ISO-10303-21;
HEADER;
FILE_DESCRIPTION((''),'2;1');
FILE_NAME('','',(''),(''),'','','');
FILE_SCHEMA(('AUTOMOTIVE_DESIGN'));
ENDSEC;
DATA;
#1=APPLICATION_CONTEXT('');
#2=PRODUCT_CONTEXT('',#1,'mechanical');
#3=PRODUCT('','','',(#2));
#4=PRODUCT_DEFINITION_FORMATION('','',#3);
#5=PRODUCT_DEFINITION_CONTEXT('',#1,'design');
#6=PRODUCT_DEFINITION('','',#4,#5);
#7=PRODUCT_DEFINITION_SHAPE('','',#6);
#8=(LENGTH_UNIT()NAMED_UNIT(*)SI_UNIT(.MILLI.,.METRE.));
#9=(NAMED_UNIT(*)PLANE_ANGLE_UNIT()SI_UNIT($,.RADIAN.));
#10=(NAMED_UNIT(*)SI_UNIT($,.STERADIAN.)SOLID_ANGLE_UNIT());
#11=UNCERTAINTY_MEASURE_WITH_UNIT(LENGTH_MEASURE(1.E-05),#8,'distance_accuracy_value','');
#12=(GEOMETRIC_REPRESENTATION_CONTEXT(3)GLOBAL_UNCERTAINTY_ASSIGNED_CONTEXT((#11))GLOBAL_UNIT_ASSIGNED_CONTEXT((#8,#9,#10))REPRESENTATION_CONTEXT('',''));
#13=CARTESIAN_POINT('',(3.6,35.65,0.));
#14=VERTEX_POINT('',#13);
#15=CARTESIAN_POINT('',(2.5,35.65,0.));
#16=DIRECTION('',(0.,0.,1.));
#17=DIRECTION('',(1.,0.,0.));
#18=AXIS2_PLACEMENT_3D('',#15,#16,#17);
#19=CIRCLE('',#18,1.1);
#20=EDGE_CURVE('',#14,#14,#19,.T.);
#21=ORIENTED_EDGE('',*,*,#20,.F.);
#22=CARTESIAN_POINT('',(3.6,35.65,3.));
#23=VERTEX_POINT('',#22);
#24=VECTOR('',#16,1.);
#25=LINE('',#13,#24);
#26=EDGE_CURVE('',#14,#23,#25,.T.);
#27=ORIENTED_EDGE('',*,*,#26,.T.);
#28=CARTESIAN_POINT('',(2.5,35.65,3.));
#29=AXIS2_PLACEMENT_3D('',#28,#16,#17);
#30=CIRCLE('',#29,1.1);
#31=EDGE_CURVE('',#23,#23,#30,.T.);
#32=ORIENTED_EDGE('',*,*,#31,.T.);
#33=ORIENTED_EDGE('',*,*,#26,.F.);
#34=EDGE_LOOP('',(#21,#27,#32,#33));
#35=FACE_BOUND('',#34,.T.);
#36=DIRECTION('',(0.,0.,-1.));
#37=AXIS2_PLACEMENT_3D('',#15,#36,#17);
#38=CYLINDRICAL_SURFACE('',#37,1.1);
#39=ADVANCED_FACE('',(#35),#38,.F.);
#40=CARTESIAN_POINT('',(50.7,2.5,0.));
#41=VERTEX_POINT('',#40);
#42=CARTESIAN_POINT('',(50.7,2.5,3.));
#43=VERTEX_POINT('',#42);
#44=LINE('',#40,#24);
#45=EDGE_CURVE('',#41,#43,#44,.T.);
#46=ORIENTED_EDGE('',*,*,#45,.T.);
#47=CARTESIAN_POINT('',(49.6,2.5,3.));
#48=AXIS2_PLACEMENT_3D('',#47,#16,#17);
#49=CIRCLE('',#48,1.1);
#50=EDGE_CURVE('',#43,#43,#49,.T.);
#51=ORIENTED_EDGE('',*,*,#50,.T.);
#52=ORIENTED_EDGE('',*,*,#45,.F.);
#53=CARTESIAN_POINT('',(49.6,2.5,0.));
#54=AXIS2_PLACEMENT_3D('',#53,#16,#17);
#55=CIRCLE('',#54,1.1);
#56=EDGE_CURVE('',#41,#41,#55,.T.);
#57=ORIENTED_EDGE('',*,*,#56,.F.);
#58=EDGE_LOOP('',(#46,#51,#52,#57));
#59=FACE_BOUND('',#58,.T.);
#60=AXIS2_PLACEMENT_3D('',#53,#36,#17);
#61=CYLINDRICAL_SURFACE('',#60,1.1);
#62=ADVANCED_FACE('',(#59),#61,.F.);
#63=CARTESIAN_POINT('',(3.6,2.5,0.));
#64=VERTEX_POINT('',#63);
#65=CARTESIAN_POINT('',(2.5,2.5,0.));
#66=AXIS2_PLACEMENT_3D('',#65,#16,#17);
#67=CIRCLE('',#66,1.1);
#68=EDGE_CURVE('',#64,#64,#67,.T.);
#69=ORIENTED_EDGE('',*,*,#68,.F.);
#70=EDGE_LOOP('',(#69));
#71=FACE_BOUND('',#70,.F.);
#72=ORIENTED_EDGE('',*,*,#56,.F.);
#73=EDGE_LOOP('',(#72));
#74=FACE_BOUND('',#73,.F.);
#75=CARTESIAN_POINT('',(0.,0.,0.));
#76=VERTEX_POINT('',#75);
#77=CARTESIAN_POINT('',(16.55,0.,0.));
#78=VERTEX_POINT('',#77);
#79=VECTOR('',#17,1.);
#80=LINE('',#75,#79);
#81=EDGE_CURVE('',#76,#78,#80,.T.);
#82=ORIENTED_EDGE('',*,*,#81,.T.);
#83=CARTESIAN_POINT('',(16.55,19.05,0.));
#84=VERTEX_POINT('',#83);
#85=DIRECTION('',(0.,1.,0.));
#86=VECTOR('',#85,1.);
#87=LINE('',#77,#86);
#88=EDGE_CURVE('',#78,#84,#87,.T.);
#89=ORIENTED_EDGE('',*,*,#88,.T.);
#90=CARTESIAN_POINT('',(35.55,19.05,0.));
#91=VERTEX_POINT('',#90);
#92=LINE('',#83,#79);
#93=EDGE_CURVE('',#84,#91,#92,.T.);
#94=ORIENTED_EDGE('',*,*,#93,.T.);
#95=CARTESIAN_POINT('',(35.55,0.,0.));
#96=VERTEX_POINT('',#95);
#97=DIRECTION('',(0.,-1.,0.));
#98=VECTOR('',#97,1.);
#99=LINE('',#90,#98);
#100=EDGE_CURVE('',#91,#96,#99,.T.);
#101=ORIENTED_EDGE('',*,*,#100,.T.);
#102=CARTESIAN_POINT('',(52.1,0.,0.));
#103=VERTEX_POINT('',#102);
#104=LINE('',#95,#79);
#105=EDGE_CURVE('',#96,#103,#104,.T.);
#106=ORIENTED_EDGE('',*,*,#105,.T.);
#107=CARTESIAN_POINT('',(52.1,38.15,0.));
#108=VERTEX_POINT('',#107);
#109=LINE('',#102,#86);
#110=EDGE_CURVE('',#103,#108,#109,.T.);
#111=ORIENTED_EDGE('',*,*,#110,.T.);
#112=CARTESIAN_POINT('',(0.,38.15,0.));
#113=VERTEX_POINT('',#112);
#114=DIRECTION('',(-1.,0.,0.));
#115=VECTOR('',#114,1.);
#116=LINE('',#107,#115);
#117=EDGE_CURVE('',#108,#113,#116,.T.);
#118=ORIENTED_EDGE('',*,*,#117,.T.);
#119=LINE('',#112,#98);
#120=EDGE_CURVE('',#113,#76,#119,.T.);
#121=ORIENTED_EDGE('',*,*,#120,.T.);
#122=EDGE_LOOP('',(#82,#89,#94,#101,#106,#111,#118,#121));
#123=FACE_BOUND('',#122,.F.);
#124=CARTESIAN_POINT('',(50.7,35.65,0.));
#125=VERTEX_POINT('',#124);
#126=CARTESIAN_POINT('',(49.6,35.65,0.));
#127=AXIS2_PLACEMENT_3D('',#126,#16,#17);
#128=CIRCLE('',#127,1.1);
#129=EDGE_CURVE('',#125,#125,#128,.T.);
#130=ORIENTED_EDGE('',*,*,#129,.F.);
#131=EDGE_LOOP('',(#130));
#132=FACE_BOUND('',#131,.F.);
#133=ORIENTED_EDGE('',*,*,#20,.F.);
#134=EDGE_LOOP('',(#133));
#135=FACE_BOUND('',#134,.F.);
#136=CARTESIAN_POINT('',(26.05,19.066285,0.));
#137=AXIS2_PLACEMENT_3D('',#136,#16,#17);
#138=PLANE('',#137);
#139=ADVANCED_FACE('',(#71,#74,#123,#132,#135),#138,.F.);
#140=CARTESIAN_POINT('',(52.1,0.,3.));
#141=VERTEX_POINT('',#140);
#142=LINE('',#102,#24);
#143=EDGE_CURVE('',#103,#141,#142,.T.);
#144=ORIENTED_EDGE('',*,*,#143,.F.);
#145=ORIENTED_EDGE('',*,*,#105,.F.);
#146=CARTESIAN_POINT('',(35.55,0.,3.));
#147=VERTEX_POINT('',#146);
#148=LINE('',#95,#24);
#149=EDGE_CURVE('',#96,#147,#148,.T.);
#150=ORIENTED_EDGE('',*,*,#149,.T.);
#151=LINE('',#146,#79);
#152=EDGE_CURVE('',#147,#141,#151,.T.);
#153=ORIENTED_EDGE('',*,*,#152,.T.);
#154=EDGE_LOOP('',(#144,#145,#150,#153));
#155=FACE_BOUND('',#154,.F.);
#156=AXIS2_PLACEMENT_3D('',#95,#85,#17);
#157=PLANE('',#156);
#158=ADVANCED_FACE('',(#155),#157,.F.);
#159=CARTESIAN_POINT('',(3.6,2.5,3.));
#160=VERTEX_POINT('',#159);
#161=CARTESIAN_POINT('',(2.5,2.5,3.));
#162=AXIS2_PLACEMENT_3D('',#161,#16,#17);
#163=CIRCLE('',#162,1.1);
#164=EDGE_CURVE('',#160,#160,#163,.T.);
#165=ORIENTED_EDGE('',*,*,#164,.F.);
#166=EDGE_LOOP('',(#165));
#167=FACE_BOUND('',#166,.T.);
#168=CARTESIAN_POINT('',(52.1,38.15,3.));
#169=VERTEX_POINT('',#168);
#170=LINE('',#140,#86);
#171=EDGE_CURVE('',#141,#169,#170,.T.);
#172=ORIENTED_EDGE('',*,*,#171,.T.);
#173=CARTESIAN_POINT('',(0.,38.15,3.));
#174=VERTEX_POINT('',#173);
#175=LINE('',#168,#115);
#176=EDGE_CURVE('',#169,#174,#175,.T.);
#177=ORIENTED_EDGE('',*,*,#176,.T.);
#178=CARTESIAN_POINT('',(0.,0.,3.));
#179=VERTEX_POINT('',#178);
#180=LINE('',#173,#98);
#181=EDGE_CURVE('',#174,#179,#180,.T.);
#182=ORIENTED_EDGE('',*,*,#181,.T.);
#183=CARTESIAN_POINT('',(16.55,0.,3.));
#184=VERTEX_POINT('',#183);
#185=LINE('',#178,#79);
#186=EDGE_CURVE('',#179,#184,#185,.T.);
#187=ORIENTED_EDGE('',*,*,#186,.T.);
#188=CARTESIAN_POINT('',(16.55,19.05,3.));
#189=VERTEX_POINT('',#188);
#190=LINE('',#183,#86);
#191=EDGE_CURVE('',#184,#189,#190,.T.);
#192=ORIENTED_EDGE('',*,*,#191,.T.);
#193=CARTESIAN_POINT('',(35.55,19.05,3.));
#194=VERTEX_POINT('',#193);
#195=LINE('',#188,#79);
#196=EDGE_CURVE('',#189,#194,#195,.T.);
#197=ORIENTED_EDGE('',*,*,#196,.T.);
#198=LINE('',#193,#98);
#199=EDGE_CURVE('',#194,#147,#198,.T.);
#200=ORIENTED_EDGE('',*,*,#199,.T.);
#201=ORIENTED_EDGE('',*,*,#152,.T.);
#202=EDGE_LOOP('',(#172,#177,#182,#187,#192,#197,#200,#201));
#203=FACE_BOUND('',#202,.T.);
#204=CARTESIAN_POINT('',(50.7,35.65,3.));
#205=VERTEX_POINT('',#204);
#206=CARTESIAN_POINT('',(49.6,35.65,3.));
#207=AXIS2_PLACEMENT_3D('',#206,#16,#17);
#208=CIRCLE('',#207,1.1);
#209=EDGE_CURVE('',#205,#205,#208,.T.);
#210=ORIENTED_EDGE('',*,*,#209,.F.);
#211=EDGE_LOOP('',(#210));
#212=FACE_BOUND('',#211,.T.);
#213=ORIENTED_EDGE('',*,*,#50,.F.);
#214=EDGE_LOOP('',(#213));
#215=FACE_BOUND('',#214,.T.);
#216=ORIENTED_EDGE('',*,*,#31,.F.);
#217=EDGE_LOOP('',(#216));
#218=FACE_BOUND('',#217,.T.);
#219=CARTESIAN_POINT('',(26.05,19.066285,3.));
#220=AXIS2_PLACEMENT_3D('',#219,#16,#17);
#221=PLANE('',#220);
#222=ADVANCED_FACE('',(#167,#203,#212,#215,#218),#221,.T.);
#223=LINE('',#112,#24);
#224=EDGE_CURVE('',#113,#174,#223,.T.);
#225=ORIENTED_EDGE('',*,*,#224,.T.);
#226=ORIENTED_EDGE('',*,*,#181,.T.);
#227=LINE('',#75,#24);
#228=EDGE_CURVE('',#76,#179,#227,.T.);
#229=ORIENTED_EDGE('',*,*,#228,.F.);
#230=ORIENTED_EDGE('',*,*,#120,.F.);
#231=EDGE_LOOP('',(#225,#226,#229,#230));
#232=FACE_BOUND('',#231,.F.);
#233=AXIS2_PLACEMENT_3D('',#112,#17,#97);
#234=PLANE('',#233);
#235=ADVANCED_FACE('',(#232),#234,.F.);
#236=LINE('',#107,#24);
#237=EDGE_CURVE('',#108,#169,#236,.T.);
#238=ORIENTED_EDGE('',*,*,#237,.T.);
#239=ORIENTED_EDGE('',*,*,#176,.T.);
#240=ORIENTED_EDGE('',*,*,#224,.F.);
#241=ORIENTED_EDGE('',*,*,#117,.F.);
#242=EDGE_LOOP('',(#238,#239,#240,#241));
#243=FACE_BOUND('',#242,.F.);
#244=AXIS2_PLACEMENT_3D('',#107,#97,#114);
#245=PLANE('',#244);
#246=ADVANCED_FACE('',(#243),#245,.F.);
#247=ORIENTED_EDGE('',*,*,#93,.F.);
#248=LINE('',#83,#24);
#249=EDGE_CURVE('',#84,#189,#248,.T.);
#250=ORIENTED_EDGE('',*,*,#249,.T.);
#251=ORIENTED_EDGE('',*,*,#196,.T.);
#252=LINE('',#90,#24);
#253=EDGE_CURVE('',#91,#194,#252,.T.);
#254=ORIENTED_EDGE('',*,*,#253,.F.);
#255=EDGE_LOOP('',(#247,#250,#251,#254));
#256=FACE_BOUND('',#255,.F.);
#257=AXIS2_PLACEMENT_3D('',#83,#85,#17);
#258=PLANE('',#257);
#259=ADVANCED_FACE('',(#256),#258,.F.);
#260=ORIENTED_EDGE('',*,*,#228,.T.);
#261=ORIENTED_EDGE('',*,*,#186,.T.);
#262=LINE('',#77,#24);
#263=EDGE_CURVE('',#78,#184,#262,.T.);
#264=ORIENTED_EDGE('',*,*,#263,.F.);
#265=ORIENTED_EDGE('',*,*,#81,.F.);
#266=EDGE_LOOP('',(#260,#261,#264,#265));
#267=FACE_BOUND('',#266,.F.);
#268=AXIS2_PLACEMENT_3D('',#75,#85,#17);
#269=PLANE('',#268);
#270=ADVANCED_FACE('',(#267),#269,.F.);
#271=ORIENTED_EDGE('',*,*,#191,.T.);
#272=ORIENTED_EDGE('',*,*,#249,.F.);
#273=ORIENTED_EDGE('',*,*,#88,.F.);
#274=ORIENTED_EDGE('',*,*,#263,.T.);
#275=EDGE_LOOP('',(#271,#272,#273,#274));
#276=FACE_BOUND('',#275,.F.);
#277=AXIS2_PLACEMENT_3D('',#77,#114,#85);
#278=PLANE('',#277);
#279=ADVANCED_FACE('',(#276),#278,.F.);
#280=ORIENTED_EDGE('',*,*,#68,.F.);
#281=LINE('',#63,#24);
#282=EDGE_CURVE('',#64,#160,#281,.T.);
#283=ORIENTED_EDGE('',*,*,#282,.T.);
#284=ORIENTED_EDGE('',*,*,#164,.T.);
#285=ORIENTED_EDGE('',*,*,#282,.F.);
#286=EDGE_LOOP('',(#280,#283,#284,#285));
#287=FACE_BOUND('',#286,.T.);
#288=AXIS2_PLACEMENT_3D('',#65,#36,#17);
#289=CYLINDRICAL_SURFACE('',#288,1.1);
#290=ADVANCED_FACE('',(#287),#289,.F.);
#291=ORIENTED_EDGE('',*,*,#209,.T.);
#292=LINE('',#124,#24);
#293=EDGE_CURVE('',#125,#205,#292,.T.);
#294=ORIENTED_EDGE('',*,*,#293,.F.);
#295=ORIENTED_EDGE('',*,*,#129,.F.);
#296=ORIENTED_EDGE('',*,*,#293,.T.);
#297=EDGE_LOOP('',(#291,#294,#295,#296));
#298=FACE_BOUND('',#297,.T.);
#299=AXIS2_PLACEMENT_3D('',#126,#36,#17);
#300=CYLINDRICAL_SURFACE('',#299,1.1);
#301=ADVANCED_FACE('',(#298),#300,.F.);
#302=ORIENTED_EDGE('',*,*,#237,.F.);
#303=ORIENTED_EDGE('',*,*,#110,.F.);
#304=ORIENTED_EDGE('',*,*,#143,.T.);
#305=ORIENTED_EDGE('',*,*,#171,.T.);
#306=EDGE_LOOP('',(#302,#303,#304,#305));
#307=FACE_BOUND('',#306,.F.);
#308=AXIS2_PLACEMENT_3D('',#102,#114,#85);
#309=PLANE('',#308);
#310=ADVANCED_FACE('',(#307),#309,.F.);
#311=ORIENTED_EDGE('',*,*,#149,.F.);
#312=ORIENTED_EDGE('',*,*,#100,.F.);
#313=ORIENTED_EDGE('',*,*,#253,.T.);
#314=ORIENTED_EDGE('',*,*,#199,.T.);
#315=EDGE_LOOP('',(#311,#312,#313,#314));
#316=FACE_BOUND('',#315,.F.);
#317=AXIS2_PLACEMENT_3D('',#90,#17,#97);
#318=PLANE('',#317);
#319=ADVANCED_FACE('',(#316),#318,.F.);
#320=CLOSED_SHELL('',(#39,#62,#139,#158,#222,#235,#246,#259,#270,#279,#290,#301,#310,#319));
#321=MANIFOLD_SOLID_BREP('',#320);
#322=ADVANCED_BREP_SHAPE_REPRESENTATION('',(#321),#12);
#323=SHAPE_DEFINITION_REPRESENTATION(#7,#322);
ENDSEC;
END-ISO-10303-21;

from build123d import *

# Parameters (mm, degrees)
SKETCH_R  = 1.1
PAD_DEPTH = 3


with BuildPart() as part:
    # Sketch → Pad (new body)
    with BuildSketch(Plane.XY):
        Polygon((0, 0), (16.55, 0), (16.55, 19.05), (35.55, 19.05), (35.55, 0), (52.1, 0), (52.1, 38.15), (0, 38.15), align=None)
        with Locations((2.5, 35.65)):
            Circle(SKETCH_R, mode=Mode.SUBTRACT)
        with Locations((2.5, 2.5)):
            Circle(SKETCH_R, mode=Mode.SUBTRACT)
        with Locations((49.6, 2.5)):
            Circle(SKETCH_R, mode=Mode.SUBTRACT)
        with Locations((49.6, 35.65)):
            Circle(SKETCH_R, mode=Mode.SUBTRACT)
    extrude(amount=PAD_DEPTH)


solid = part.part
